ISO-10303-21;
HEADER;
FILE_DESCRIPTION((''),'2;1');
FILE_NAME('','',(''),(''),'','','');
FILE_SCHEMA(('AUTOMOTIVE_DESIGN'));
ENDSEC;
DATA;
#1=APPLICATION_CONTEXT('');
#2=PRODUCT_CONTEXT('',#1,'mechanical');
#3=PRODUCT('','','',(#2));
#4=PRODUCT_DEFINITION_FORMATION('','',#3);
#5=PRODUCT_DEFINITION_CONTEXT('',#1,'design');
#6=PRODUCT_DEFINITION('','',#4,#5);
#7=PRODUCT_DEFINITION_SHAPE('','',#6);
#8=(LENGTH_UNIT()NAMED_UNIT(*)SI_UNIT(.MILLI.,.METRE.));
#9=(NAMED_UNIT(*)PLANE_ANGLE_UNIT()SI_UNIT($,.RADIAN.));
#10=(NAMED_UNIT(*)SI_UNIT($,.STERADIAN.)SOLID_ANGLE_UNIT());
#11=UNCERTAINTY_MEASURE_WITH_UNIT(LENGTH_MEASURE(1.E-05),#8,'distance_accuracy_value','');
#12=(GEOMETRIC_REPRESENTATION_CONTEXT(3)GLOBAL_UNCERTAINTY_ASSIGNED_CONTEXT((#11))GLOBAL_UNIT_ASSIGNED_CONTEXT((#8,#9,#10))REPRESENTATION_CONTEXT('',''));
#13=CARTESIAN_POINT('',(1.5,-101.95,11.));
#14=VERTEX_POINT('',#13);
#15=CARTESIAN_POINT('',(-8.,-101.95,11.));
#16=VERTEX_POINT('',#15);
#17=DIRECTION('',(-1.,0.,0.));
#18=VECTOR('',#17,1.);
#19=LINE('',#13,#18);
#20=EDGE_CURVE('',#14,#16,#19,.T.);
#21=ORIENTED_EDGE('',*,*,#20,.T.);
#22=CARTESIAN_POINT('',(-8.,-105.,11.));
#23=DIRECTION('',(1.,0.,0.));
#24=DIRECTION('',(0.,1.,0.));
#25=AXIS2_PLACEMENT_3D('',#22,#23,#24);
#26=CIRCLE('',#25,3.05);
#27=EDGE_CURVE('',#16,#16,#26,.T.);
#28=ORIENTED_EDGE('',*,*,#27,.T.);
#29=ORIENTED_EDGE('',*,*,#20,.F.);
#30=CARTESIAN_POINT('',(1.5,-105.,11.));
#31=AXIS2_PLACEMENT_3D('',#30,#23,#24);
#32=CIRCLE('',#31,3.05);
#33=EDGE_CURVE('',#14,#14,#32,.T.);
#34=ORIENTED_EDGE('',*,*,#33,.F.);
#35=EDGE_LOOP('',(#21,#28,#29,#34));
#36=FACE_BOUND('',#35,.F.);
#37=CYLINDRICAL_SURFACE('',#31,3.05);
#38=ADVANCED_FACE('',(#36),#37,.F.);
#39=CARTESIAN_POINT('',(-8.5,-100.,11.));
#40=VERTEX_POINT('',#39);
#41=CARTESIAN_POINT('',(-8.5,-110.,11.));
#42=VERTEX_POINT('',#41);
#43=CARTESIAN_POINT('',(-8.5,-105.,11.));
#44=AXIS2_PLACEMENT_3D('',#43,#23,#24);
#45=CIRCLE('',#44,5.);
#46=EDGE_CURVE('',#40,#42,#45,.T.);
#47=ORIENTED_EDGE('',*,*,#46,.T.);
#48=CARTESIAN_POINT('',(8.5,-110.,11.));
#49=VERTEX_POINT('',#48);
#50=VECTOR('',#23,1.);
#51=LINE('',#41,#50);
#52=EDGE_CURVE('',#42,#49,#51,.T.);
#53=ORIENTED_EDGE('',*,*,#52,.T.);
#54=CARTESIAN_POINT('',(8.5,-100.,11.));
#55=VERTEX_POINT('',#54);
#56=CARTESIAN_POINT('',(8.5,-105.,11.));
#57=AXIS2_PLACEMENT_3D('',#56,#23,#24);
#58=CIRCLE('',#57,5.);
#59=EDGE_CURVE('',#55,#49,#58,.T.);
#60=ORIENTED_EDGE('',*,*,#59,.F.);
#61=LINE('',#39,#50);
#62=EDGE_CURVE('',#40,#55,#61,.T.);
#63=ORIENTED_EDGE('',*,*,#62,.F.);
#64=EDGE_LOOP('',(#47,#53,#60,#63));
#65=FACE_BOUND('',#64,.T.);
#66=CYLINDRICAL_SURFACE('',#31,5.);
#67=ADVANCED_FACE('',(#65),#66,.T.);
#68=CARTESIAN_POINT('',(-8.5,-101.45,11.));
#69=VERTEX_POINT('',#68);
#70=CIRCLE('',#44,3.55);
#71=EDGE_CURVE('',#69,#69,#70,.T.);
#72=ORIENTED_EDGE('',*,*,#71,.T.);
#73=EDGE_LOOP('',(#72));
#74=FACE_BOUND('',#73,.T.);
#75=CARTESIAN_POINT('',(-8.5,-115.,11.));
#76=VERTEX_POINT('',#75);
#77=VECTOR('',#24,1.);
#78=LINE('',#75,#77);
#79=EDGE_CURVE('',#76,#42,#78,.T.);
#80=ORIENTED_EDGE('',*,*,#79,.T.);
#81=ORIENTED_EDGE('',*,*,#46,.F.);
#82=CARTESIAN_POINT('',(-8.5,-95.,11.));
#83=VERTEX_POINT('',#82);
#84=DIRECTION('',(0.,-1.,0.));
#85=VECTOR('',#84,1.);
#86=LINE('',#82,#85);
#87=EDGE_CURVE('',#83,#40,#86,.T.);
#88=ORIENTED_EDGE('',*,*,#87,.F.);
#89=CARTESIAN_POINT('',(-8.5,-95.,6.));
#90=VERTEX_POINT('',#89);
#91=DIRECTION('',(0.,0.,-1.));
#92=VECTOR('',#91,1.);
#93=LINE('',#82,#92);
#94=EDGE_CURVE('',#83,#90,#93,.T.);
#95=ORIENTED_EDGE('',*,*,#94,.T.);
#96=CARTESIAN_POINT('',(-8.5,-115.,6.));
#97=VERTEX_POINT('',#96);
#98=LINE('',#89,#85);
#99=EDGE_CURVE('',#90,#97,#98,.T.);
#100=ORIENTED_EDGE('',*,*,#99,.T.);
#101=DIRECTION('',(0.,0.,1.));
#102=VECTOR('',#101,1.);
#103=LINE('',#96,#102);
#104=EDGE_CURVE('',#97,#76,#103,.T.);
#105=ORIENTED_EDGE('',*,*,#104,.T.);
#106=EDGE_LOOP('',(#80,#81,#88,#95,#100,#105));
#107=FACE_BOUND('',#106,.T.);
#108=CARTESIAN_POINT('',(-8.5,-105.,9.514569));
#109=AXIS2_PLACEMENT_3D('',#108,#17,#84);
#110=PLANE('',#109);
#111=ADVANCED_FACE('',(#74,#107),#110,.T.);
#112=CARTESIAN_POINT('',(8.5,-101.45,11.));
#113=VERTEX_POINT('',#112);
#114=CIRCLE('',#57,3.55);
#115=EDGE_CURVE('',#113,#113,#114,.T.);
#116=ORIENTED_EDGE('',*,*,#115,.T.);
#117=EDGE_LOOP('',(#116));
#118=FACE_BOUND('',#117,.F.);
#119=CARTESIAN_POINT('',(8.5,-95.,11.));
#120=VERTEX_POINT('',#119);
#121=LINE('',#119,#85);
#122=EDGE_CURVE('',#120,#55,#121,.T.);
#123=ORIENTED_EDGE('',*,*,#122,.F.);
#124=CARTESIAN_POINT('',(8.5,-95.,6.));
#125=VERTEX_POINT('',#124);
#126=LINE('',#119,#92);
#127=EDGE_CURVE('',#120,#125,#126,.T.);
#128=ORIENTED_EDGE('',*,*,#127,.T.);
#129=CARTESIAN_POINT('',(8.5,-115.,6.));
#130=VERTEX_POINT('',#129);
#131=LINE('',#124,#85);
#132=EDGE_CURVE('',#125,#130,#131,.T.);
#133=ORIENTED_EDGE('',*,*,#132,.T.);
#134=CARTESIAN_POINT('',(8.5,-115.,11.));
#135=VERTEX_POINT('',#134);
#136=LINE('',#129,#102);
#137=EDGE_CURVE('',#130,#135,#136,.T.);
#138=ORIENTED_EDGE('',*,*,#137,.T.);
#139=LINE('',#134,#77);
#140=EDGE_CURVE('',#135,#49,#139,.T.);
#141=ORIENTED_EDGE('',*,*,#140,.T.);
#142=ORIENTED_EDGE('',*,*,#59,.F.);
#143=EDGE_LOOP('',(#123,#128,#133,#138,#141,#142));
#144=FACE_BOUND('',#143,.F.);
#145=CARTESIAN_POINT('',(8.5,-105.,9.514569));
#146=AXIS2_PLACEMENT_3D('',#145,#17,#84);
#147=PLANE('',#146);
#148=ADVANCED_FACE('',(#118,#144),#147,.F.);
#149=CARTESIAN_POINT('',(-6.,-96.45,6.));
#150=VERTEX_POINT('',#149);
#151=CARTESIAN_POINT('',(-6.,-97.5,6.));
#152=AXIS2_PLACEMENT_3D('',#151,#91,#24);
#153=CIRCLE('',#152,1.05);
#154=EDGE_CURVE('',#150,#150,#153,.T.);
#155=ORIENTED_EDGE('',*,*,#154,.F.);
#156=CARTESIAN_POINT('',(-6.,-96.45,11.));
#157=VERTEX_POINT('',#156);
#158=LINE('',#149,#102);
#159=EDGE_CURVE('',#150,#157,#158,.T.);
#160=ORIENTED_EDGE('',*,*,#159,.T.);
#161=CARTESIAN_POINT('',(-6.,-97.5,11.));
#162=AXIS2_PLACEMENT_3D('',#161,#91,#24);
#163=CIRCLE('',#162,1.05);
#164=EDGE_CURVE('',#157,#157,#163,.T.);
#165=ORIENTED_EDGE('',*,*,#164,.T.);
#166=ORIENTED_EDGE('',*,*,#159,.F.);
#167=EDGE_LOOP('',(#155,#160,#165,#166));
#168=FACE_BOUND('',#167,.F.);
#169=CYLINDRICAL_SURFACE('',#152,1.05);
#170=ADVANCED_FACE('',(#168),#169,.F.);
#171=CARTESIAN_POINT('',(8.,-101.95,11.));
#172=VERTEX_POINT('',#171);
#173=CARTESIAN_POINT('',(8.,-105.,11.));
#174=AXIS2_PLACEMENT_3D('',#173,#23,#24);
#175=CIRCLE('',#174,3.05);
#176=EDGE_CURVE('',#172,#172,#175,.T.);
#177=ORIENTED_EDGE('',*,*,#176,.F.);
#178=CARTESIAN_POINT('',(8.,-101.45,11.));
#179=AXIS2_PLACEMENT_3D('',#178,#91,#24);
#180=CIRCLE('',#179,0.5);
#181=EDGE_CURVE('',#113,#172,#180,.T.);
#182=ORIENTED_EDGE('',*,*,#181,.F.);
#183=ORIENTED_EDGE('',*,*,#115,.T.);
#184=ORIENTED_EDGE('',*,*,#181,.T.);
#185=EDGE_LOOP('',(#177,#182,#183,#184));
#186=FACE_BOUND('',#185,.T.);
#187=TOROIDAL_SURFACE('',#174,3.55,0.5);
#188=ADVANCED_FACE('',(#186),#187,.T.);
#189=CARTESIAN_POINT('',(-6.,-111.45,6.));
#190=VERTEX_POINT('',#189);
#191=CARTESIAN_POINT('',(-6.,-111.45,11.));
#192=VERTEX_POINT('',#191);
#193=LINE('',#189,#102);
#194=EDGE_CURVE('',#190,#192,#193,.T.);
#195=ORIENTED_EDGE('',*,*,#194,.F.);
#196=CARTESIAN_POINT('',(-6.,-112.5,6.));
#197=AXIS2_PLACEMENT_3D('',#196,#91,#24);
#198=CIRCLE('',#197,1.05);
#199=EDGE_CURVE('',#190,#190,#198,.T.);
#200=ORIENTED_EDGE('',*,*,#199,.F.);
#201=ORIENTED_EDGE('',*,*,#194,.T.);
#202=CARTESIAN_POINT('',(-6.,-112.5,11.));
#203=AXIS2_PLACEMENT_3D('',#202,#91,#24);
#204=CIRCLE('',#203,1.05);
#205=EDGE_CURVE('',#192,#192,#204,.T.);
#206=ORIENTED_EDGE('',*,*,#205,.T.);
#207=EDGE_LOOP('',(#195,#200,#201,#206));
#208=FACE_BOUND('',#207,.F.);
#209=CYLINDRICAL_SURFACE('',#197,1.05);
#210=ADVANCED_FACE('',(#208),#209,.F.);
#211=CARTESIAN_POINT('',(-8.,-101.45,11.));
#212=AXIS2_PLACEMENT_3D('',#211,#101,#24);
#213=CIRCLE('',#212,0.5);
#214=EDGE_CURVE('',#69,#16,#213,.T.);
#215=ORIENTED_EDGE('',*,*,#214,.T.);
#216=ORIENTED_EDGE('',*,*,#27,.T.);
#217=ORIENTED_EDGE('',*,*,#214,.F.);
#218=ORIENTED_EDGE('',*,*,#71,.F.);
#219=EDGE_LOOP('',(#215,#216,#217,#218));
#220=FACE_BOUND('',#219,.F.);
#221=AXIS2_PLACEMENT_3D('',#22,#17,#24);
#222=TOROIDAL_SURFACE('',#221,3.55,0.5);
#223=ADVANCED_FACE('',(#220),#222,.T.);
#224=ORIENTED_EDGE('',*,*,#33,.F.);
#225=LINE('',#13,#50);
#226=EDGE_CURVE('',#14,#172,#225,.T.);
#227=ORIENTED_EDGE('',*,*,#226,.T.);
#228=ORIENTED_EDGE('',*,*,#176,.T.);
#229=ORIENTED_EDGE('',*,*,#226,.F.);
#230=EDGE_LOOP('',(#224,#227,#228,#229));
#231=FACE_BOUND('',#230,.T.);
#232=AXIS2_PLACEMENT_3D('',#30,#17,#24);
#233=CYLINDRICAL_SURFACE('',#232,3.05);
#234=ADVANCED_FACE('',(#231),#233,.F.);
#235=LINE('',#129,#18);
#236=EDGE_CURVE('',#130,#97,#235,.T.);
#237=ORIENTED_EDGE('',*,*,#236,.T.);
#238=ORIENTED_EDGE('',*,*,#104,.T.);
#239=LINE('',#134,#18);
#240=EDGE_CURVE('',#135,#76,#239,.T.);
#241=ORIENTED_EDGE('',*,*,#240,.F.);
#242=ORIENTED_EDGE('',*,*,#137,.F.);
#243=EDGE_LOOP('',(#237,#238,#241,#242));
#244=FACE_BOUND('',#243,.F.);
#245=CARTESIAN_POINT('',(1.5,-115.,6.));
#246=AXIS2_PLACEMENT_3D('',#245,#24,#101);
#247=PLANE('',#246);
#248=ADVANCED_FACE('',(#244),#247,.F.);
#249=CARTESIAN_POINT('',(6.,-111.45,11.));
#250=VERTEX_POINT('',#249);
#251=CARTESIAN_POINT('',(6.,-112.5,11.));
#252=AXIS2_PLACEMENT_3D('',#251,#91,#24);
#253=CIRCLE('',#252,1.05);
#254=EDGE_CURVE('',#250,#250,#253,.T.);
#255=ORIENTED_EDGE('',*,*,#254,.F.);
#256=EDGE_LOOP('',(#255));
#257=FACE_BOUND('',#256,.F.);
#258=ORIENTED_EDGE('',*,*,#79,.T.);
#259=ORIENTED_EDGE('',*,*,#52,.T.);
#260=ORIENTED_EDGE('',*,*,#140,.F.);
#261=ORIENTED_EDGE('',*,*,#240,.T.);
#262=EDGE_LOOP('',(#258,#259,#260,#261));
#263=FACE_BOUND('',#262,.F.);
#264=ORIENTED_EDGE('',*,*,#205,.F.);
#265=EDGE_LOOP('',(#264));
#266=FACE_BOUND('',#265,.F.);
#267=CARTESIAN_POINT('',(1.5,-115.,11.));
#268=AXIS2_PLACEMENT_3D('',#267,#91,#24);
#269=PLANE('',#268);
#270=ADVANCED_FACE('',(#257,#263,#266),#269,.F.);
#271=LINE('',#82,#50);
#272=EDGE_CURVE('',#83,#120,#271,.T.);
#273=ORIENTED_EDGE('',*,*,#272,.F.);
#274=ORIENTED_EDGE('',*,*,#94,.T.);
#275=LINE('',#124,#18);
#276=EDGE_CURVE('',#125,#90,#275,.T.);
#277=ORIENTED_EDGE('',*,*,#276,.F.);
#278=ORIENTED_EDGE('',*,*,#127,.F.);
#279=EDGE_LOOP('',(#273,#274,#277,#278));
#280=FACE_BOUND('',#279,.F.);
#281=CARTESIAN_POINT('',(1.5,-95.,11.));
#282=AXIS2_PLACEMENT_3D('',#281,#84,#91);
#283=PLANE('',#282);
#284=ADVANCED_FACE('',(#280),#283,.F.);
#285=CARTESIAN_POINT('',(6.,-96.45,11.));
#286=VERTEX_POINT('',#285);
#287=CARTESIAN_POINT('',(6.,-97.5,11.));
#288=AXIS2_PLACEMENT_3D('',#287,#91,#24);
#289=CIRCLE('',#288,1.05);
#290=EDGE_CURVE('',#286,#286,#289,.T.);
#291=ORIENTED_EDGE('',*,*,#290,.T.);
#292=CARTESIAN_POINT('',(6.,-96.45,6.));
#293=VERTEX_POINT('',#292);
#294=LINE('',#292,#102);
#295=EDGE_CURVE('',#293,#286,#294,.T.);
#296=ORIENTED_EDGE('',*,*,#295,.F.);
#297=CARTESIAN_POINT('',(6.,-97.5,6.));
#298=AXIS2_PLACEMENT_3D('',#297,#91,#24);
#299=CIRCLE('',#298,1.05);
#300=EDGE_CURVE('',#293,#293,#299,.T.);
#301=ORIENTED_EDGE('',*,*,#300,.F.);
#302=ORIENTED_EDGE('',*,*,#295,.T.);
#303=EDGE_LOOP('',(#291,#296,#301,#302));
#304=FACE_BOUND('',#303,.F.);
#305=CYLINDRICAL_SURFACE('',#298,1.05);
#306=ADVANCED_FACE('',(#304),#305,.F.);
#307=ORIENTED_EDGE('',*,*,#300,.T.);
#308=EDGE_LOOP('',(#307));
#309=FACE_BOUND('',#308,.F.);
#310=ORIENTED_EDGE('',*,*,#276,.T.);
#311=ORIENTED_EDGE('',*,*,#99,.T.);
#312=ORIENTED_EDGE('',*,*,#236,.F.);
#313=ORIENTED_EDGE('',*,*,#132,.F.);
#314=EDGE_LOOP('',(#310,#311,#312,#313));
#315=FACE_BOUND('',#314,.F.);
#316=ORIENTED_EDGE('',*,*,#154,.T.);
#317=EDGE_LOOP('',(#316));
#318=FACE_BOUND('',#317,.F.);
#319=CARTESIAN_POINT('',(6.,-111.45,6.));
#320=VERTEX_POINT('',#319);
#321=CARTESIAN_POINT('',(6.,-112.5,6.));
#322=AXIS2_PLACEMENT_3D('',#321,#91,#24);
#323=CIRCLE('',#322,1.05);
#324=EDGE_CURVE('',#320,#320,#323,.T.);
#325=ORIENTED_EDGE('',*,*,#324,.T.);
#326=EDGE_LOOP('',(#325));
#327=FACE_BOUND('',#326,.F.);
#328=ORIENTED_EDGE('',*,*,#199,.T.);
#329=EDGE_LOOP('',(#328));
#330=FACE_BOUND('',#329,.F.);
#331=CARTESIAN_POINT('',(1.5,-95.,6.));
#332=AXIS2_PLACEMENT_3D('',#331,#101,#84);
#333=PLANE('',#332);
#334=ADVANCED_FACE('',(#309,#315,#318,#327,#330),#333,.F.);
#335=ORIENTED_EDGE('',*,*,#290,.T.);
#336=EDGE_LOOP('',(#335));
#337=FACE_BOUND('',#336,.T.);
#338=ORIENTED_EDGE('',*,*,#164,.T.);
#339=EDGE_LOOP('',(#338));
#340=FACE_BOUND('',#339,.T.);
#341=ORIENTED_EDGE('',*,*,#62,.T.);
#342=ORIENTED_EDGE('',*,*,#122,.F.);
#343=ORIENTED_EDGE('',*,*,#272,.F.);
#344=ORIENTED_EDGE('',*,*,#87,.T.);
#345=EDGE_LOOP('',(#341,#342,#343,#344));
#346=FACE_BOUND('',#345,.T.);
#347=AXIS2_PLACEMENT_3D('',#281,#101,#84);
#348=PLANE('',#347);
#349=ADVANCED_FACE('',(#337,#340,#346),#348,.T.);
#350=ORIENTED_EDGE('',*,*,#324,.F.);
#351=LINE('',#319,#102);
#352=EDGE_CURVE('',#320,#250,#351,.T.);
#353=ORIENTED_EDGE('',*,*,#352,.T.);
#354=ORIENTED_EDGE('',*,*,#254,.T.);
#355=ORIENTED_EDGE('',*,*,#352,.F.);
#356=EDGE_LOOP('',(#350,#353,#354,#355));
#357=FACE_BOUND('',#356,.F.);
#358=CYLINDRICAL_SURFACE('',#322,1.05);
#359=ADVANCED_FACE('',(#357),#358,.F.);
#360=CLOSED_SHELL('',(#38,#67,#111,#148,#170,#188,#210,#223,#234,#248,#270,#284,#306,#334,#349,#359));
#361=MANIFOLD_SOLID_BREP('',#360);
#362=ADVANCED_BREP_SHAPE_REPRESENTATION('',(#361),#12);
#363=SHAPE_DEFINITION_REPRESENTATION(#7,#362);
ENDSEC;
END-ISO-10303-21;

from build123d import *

# Parameters (mm, degrees)
SKETCH_R                 = 3.05
PAD_DEPTH                = 7
PAD_DEPTH_BACK           = 10
SKETCH001_R              = 1.05
POCKET_DEPTH             = 5
FILLET_R                 = 0.5
CLONE002_PLACEMENT_ANGLE = 90


with BuildPart() as part:
    # Sketch → Pad (new body, two sides)
    with BuildSketch(Plane.XZ) as pad_sk:
        with BuildLine():
            Line((10, 0), (10, -5))
            Line((10, -5), (-10, -5))
            Line((-10, -5), (-10, 0))
            Line((-10, 0), (-5, 0))
            ThreePointArc((5, 0), (0, 5), (-5, 0))
            Line((10, 0), (5, 0))
        make_face()
        Circle(SKETCH_R, mode=Mode.SUBTRACT)
    extrude(amount=PAD_DEPTH)
    extrude(pad_sk.sketch, amount=-PAD_DEPTH_BACK)

    # Sketch001 → Pocket (cut)
    with BuildSketch(Plane(origin=(0, 0, -5), x_dir=(1, 0, 0), z_dir=(0, 0, -1))):
        with Locations((-7.5, 4.5)):
            Circle(SKETCH001_R)
        with Locations((-7.5, -7.5)):
            Circle(SKETCH001_R)
        with Locations((7.5, -7.5)):
            Circle(SKETCH001_R)
        with Locations((7.5, 4.5)):
            Circle(SKETCH001_R)
    extrude(amount=-POCKET_DEPTH, mode=Mode.SUBTRACT)

    # Fillet
    fillet_edges = [part.edges().sort_by_distance(p)[0] for p in [
        (-3.05, 10, 0),
        (-3.05, -7, 0),
    ]]
    fillet(fillet_edges, radius=FILLET_R)


with BuildPart() as part_1:
    # Clone002 placement: moved
    add(part.part.moved(Location((1.5, -105, 11))).rotate(Axis((1.5, -105, 11), (0, 0, 1)), CLONE002_PLACEMENT_ANGLE))


solid = part_1.part
